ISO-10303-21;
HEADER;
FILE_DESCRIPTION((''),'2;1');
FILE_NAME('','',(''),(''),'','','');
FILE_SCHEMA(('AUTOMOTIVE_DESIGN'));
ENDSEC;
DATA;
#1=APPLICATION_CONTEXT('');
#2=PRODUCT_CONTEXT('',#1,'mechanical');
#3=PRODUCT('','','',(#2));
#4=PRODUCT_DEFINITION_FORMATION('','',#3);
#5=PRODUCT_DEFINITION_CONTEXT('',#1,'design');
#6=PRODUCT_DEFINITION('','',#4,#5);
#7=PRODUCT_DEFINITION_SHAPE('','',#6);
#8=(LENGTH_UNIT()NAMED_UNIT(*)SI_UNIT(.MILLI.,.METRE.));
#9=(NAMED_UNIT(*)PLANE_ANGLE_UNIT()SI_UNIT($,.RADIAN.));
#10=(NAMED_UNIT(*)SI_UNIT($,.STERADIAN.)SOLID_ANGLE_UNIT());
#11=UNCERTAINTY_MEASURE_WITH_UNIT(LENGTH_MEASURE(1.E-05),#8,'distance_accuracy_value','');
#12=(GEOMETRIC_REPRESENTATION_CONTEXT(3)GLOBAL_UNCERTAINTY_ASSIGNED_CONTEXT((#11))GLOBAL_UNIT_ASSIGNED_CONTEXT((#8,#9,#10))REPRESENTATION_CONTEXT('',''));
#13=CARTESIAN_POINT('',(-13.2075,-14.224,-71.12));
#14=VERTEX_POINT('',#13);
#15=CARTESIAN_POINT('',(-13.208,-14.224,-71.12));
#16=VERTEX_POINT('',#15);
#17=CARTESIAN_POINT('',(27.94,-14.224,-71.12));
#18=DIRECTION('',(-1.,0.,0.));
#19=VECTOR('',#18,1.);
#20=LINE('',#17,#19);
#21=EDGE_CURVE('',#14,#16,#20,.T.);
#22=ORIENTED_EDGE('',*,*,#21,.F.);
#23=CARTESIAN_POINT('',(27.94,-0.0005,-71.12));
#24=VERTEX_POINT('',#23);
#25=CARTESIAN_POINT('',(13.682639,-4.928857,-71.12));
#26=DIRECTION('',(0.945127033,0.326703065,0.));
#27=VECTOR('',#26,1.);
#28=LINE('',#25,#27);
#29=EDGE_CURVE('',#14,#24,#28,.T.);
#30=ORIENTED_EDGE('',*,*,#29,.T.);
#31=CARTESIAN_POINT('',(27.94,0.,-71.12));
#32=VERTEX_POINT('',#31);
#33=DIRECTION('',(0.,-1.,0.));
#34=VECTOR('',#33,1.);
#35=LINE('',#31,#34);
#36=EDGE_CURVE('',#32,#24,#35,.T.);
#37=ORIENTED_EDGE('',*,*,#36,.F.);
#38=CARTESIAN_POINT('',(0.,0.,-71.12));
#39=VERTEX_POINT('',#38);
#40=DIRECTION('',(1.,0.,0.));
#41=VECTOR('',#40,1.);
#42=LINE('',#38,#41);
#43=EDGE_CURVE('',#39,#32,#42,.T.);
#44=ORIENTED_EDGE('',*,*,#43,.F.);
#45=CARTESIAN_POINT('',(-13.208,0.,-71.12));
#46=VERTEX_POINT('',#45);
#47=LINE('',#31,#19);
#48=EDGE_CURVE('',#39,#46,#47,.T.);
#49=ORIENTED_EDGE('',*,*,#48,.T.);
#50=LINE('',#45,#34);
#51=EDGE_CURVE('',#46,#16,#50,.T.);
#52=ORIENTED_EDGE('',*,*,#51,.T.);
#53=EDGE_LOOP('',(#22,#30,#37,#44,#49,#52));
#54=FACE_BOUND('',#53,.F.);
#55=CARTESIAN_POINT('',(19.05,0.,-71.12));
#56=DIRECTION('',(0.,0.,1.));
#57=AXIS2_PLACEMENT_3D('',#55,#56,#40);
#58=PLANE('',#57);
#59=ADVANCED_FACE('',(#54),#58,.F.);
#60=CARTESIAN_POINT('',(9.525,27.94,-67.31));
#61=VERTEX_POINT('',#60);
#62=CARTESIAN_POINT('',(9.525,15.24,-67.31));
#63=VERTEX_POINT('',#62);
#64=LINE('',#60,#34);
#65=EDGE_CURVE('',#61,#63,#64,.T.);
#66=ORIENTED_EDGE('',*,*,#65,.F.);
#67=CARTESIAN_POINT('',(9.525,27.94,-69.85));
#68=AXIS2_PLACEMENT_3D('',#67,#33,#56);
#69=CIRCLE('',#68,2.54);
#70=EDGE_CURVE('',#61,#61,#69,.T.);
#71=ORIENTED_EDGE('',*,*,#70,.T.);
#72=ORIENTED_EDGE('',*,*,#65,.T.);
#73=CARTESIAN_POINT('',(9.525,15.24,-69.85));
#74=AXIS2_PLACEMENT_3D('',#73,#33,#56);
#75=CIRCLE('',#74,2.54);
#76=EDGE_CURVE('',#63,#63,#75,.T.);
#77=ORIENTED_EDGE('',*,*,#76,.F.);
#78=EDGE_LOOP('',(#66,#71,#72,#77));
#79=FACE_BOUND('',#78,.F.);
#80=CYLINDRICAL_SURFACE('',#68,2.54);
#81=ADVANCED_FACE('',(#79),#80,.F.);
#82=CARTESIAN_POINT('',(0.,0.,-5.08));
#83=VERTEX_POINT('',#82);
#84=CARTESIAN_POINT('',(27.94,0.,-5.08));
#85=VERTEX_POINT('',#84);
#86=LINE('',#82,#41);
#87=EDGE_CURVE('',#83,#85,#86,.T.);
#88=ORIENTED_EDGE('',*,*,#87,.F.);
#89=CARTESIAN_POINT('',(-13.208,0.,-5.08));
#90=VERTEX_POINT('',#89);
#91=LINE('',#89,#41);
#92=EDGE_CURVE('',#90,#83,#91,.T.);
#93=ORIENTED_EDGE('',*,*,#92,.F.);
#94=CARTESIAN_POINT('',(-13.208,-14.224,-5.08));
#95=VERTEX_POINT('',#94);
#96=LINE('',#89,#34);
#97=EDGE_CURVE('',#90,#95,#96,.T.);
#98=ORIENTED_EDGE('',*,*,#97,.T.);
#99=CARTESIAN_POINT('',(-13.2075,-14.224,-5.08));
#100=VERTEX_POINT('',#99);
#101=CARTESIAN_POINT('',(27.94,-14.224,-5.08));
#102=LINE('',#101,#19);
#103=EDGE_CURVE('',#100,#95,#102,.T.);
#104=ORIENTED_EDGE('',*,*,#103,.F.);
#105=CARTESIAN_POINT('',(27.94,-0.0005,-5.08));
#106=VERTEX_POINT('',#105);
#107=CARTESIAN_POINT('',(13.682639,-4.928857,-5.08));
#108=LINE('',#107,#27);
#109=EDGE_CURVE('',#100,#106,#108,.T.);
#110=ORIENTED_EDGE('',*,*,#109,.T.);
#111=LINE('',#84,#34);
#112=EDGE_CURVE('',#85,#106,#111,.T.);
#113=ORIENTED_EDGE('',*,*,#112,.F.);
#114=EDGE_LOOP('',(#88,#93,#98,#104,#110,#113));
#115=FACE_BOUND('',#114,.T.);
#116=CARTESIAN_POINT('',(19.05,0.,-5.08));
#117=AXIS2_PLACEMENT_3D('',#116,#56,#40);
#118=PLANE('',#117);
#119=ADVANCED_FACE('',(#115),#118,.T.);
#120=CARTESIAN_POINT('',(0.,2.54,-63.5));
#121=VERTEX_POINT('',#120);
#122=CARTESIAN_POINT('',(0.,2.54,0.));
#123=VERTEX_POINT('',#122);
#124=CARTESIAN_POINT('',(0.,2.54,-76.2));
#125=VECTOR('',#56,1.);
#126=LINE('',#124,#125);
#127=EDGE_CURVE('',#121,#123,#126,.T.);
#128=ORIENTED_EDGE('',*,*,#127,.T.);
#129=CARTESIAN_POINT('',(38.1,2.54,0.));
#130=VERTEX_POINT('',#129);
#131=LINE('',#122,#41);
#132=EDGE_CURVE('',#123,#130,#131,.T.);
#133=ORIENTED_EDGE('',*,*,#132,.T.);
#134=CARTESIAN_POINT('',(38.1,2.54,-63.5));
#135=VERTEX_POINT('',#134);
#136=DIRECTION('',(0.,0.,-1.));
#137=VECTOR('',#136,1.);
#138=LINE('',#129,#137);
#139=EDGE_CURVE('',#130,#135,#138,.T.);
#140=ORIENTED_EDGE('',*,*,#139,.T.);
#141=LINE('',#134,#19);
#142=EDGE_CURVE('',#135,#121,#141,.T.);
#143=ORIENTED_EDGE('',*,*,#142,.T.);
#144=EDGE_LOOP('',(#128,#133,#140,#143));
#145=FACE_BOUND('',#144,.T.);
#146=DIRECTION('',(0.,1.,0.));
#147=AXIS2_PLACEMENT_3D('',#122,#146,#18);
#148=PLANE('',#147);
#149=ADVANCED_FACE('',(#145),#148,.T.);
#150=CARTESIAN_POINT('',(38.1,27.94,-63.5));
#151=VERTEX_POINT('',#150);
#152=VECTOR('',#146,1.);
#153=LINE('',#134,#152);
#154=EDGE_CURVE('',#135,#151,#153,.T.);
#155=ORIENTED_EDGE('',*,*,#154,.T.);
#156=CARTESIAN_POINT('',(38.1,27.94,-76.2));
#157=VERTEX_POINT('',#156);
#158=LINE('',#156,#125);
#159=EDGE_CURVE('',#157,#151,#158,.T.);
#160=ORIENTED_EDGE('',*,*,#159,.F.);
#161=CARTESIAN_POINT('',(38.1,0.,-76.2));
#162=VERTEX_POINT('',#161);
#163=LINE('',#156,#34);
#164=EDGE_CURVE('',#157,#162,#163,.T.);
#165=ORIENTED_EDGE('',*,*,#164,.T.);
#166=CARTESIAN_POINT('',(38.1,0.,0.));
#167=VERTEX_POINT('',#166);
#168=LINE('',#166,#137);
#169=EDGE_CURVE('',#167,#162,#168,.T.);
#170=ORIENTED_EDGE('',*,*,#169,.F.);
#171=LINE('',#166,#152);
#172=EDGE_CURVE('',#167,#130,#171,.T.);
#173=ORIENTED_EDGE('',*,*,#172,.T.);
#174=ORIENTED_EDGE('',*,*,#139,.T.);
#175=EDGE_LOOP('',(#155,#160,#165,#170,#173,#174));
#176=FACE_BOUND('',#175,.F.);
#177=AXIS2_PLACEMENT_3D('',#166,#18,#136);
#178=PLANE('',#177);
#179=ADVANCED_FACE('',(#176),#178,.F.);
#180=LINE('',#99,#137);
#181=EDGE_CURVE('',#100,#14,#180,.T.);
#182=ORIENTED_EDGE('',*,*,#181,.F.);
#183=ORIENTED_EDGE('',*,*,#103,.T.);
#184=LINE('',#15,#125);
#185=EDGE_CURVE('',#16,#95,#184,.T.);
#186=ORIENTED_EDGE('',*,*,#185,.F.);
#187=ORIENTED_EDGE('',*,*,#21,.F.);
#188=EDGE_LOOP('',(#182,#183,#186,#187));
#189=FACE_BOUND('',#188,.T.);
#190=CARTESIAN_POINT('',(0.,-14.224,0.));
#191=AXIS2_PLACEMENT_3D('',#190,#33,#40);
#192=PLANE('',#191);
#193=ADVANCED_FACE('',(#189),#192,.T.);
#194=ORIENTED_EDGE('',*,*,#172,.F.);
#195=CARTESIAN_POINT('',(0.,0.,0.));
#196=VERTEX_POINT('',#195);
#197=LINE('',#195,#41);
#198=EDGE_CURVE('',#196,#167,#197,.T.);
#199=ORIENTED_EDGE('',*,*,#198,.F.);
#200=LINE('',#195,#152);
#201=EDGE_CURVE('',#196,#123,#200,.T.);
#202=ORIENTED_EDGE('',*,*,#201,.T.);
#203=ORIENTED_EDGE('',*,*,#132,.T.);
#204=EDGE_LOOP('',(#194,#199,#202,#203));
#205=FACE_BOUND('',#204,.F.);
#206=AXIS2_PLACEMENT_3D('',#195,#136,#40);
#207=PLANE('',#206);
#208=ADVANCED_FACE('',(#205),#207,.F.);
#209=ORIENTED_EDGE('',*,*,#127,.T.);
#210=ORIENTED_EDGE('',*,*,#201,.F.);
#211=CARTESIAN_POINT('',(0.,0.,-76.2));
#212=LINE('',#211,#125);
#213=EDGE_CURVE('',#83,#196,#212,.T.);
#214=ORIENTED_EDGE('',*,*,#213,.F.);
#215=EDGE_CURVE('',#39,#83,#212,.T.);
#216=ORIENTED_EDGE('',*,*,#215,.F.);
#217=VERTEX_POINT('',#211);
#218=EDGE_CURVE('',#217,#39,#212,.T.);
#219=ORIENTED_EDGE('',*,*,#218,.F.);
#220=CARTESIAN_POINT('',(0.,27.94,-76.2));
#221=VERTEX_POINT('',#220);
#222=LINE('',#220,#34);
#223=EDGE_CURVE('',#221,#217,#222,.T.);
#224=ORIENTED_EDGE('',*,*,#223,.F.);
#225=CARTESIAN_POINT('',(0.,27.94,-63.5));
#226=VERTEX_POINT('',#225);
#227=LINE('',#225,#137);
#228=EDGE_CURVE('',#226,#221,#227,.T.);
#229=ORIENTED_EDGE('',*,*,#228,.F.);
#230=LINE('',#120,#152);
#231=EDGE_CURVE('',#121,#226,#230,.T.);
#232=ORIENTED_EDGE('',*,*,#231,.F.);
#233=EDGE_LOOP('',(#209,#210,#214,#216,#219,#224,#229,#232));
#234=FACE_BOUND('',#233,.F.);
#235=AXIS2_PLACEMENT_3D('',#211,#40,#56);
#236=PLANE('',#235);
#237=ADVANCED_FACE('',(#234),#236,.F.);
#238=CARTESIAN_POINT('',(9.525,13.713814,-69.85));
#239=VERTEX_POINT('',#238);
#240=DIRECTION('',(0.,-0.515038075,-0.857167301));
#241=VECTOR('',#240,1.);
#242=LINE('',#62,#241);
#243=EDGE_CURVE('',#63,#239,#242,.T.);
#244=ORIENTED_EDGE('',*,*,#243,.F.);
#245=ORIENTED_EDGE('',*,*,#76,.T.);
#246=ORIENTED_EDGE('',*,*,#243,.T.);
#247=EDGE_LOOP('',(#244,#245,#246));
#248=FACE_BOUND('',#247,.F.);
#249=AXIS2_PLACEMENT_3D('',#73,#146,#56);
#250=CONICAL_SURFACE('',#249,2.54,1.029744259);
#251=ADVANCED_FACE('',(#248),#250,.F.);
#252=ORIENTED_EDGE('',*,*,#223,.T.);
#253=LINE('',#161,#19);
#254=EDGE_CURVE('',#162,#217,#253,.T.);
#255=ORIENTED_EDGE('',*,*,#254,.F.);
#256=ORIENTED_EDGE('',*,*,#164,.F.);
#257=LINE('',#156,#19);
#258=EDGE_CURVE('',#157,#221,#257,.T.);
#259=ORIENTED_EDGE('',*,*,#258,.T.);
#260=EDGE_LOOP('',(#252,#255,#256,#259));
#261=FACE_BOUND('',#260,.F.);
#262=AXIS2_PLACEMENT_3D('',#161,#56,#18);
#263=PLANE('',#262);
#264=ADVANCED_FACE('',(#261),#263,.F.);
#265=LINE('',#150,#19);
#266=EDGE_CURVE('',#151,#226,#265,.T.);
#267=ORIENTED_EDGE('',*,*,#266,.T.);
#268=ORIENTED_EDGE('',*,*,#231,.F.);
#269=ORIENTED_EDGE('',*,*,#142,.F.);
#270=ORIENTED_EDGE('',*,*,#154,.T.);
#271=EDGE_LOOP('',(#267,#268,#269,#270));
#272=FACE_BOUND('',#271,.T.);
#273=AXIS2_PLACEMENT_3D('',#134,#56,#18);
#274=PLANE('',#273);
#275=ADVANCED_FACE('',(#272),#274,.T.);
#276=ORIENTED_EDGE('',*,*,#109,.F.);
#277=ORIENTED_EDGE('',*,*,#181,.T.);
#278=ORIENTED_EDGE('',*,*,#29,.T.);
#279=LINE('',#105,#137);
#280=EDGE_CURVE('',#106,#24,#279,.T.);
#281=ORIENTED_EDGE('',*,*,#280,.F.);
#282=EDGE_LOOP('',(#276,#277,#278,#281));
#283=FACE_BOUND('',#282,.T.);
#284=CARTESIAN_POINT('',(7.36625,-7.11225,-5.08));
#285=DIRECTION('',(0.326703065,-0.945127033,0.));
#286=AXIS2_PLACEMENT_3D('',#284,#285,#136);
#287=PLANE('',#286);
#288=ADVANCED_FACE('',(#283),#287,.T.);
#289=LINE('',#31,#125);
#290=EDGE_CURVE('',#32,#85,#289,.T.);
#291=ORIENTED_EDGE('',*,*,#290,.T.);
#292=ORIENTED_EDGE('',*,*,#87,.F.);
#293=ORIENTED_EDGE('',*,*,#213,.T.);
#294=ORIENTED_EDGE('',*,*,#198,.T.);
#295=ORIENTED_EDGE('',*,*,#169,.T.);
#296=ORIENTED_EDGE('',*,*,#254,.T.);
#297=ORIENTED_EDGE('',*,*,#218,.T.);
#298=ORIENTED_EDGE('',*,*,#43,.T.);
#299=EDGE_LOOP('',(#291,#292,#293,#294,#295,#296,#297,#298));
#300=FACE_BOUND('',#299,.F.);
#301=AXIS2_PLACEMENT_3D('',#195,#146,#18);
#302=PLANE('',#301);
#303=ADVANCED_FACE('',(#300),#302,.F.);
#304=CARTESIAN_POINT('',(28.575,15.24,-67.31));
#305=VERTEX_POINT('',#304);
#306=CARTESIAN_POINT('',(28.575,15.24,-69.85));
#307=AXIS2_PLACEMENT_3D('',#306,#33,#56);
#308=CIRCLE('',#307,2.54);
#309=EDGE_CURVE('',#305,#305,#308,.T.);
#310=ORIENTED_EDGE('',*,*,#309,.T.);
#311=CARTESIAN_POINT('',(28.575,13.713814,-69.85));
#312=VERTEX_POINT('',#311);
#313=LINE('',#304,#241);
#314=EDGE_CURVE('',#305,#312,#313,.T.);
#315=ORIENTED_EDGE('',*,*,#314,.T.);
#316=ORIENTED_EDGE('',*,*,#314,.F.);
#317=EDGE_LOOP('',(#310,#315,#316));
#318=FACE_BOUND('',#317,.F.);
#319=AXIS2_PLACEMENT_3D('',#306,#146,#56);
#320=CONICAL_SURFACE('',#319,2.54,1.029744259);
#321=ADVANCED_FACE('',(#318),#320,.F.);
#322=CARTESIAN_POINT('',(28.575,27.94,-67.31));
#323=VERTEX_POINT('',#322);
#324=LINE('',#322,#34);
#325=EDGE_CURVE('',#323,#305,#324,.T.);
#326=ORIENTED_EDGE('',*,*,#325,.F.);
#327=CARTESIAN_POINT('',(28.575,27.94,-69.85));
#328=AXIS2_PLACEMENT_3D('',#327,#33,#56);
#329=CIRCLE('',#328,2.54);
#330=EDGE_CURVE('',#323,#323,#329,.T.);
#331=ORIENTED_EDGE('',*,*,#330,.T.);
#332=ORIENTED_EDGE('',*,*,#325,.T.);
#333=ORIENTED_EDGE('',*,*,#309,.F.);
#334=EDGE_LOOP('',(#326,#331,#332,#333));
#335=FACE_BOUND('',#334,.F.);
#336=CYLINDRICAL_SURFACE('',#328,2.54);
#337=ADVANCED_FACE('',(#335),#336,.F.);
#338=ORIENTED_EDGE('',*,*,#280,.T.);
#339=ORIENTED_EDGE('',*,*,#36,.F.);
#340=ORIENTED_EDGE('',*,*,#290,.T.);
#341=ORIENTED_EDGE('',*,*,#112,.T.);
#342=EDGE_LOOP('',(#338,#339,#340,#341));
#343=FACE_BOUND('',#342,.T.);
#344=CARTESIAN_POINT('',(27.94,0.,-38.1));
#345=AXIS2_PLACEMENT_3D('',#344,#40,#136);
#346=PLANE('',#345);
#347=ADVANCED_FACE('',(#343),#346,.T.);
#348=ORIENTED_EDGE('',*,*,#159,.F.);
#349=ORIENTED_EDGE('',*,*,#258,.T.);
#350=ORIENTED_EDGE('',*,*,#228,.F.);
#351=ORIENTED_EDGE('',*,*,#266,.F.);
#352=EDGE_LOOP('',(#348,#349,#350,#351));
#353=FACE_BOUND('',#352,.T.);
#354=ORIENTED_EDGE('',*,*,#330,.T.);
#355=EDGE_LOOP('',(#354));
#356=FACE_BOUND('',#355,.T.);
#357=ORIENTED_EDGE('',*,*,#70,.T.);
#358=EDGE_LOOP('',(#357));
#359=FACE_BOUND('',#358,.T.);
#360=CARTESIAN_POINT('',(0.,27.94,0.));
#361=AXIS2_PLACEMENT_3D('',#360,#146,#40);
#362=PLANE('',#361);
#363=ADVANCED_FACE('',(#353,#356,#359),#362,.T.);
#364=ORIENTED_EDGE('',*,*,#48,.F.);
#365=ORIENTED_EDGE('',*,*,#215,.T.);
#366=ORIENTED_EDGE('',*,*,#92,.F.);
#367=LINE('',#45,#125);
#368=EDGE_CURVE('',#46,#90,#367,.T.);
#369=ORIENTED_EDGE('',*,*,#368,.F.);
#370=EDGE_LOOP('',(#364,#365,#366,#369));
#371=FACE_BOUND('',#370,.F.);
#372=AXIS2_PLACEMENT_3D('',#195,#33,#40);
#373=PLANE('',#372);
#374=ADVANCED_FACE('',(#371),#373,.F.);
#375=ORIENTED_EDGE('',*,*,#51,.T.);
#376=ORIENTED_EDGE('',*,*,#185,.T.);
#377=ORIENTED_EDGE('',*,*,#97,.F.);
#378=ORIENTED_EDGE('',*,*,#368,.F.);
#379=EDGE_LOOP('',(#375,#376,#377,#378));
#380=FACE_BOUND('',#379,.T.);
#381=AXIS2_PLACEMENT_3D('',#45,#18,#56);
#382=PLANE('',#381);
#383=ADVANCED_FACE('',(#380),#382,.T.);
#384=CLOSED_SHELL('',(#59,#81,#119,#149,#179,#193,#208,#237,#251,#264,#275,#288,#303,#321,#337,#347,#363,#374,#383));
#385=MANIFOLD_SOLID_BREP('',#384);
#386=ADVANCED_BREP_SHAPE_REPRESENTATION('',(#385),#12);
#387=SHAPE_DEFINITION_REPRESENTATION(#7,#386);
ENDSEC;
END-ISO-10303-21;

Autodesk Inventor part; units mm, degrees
ref_plane "YZ Plane" through (0, 0, 0) normal (1, 0, 0) x (0, 1, 0)
ref_plane "XZ Plane" through (0, 0, 0) normal (0, 1, 0) x (-1, 0, 0)
ref_plane "XY Plane" through (0, 0, 0) normal (0, 0, 1) x (1, 0, 0)
sketch "Sketch1" plane through (0, 0, 0) normal (0, 1, 0) x (-1, 0, 0)
  line L0 (0, 0) -> (-38.1, 0)
  line L1 (-38.1, 0) -> (-38.1, -76.2)
  line L2 (-38.1, -76.2) -> (0, -76.2)
  line L3 (0, -76.2) -> (0, 0)
  dimension "d0" = 38.1
  dimension "d1" = 76.2
extrude "Extrusion1" add sketch "Sketch1" along normal blind 2.54
sketch "Sketch2" plane through (0, 2.54, 0) normal (0, 1, 0) x (1, 0, 0)
  line L0 (38.1, 76.2) -> (0, 76.2) projected
  line L1 (0, 76.2) -> (38.1, 76.2)
  line L2 (38.1, 76.2) -> (38.1, 63.5)
  line L3 (38.1, 63.5) -> (0, 63.5)
  line L4 (0, 63.5) -> (0, 76.2)
  point P0 (0, 0)
  dimension "d4" = 38.1
  dimension "d5" = 12.7
extrude "Extrusion2" add sketch "Sketch2" along normal blind 25.4
sketch "Sketch6" plane through (0, 27.94, 0) normal (0, 1, 0) x (1, 0, 0)
  line L0 (0, 76.2) -> (0, 63.5) projected
  line L1 (0, 69.85) -> (38.1, 69.85)
  line L2 (38.1, 63.5) -> (38.1, 76.2) projected
  line L3 (0, 69.85) -> (9.525, 69.85)
  line L4 (38.1, 69.85) -> (28.575, 69.85)
  point P0 (0, 0)
  dimension "d8" = 9.525
  dimension "d9" = 9.525
hole "Hole1" at (9.525, 27.94, -69.85) at (28.575, 27.94, -69.85) direction (0, -1, 0) diameter 5.08 depth 12.7 tip angle 118
sketch "Sketch7" plane through (0, 0, 0) normal (0, -1, 0) x (1, 0, 0)
  line L0 (38.1, 0) -> (38.1, -76.2) projected
  line L1 (38.1, -38.1) -> (27.94, -38.1)
  line L2 (38.1, -76.2) -> (0, -76.2) projected
  line L3 (19.05, -76.2) -> (19.05, -71.12)
  line L4 (0, 0) -> (38.1, 0) projected
  line L5 (19.05, 0) -> (19.05, -5.08)
  line L6 (19.05, -71.12) -> (38.1, -71.12)
  line L7 (27.94, -38.1) -> (27.94, -71.12)
  line L8 (27.94, -71.12) -> (-13.208, -71.12)
  line L9 (-13.208, -71.12) -> (-13.208, -5.08)
  line L10 (-13.208, -5.08) -> (27.94, -5.08)
  line L11 (27.94, -5.08) -> (27.94, -71.12)
  dimension "d23" = 10.16
  dimension "d24" = 5.08
  dimension "d25" = 5.08
  dimension "d26" = 41.148
extrude "Extrusion3" add sketch "Sketch7" along normal blind 14.224 contours L7 L6 L8 L9 L10 L11
chamfer "Chamfer3" distance 41.148 distance2 14.224 1 edges at (27.94, -14.224, -38.1) measured on face at (14.224, -14.224, -49.1067)
properties part number "Base"
